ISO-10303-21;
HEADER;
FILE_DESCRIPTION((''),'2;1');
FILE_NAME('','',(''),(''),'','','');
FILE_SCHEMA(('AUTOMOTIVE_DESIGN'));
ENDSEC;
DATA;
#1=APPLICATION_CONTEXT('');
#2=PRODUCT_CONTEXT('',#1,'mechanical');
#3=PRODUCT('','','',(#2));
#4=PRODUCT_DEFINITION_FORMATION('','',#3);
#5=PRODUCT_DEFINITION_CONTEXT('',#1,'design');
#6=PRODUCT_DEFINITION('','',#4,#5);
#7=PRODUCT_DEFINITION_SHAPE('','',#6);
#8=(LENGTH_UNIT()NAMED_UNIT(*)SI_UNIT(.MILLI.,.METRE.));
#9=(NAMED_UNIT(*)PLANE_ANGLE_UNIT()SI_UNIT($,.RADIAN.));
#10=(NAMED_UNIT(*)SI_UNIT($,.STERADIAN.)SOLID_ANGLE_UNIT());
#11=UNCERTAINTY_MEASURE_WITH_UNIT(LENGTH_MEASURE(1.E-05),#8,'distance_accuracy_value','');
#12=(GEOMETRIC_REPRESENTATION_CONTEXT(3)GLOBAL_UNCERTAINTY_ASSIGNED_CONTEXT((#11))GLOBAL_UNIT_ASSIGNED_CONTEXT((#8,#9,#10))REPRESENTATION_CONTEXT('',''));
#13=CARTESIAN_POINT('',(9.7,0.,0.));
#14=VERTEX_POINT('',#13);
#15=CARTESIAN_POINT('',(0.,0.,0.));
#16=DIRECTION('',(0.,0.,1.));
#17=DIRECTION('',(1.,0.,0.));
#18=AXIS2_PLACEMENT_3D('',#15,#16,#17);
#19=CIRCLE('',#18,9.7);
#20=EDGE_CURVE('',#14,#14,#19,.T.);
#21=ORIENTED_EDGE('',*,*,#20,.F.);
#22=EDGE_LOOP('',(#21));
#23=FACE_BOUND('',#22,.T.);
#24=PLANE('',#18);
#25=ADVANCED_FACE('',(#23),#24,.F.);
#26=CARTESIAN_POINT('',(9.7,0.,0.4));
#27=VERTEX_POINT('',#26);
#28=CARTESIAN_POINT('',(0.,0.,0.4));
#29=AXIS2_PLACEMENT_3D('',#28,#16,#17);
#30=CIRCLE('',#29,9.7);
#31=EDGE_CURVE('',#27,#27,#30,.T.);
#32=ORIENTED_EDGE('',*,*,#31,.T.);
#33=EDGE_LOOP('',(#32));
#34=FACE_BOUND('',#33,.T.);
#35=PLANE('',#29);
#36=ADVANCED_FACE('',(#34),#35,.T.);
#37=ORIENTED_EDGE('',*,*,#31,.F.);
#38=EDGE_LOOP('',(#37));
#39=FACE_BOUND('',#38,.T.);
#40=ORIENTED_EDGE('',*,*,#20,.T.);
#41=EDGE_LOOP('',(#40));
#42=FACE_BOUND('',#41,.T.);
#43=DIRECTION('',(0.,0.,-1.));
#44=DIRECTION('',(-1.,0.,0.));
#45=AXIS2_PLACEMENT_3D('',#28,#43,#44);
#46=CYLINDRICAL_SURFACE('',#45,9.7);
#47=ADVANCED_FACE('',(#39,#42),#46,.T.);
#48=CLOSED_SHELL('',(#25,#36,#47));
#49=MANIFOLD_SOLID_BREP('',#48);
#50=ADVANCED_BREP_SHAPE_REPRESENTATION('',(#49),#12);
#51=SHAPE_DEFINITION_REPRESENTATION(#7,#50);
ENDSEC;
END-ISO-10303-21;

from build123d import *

# Parameters (mm, degrees)
CROQUIS1_R              = 9.7
SALIENTE_EXTRUIR1_DEPTH = 0.4


with BuildPart() as part:
    # Croquis1 → Saliente-Extruir1 (new body)
    with BuildSketch(Plane.XY):
        Circle(CROQUIS1_R)
    extrude(amount=SALIENTE_EXTRUIR1_DEPTH)


solid = part.part
